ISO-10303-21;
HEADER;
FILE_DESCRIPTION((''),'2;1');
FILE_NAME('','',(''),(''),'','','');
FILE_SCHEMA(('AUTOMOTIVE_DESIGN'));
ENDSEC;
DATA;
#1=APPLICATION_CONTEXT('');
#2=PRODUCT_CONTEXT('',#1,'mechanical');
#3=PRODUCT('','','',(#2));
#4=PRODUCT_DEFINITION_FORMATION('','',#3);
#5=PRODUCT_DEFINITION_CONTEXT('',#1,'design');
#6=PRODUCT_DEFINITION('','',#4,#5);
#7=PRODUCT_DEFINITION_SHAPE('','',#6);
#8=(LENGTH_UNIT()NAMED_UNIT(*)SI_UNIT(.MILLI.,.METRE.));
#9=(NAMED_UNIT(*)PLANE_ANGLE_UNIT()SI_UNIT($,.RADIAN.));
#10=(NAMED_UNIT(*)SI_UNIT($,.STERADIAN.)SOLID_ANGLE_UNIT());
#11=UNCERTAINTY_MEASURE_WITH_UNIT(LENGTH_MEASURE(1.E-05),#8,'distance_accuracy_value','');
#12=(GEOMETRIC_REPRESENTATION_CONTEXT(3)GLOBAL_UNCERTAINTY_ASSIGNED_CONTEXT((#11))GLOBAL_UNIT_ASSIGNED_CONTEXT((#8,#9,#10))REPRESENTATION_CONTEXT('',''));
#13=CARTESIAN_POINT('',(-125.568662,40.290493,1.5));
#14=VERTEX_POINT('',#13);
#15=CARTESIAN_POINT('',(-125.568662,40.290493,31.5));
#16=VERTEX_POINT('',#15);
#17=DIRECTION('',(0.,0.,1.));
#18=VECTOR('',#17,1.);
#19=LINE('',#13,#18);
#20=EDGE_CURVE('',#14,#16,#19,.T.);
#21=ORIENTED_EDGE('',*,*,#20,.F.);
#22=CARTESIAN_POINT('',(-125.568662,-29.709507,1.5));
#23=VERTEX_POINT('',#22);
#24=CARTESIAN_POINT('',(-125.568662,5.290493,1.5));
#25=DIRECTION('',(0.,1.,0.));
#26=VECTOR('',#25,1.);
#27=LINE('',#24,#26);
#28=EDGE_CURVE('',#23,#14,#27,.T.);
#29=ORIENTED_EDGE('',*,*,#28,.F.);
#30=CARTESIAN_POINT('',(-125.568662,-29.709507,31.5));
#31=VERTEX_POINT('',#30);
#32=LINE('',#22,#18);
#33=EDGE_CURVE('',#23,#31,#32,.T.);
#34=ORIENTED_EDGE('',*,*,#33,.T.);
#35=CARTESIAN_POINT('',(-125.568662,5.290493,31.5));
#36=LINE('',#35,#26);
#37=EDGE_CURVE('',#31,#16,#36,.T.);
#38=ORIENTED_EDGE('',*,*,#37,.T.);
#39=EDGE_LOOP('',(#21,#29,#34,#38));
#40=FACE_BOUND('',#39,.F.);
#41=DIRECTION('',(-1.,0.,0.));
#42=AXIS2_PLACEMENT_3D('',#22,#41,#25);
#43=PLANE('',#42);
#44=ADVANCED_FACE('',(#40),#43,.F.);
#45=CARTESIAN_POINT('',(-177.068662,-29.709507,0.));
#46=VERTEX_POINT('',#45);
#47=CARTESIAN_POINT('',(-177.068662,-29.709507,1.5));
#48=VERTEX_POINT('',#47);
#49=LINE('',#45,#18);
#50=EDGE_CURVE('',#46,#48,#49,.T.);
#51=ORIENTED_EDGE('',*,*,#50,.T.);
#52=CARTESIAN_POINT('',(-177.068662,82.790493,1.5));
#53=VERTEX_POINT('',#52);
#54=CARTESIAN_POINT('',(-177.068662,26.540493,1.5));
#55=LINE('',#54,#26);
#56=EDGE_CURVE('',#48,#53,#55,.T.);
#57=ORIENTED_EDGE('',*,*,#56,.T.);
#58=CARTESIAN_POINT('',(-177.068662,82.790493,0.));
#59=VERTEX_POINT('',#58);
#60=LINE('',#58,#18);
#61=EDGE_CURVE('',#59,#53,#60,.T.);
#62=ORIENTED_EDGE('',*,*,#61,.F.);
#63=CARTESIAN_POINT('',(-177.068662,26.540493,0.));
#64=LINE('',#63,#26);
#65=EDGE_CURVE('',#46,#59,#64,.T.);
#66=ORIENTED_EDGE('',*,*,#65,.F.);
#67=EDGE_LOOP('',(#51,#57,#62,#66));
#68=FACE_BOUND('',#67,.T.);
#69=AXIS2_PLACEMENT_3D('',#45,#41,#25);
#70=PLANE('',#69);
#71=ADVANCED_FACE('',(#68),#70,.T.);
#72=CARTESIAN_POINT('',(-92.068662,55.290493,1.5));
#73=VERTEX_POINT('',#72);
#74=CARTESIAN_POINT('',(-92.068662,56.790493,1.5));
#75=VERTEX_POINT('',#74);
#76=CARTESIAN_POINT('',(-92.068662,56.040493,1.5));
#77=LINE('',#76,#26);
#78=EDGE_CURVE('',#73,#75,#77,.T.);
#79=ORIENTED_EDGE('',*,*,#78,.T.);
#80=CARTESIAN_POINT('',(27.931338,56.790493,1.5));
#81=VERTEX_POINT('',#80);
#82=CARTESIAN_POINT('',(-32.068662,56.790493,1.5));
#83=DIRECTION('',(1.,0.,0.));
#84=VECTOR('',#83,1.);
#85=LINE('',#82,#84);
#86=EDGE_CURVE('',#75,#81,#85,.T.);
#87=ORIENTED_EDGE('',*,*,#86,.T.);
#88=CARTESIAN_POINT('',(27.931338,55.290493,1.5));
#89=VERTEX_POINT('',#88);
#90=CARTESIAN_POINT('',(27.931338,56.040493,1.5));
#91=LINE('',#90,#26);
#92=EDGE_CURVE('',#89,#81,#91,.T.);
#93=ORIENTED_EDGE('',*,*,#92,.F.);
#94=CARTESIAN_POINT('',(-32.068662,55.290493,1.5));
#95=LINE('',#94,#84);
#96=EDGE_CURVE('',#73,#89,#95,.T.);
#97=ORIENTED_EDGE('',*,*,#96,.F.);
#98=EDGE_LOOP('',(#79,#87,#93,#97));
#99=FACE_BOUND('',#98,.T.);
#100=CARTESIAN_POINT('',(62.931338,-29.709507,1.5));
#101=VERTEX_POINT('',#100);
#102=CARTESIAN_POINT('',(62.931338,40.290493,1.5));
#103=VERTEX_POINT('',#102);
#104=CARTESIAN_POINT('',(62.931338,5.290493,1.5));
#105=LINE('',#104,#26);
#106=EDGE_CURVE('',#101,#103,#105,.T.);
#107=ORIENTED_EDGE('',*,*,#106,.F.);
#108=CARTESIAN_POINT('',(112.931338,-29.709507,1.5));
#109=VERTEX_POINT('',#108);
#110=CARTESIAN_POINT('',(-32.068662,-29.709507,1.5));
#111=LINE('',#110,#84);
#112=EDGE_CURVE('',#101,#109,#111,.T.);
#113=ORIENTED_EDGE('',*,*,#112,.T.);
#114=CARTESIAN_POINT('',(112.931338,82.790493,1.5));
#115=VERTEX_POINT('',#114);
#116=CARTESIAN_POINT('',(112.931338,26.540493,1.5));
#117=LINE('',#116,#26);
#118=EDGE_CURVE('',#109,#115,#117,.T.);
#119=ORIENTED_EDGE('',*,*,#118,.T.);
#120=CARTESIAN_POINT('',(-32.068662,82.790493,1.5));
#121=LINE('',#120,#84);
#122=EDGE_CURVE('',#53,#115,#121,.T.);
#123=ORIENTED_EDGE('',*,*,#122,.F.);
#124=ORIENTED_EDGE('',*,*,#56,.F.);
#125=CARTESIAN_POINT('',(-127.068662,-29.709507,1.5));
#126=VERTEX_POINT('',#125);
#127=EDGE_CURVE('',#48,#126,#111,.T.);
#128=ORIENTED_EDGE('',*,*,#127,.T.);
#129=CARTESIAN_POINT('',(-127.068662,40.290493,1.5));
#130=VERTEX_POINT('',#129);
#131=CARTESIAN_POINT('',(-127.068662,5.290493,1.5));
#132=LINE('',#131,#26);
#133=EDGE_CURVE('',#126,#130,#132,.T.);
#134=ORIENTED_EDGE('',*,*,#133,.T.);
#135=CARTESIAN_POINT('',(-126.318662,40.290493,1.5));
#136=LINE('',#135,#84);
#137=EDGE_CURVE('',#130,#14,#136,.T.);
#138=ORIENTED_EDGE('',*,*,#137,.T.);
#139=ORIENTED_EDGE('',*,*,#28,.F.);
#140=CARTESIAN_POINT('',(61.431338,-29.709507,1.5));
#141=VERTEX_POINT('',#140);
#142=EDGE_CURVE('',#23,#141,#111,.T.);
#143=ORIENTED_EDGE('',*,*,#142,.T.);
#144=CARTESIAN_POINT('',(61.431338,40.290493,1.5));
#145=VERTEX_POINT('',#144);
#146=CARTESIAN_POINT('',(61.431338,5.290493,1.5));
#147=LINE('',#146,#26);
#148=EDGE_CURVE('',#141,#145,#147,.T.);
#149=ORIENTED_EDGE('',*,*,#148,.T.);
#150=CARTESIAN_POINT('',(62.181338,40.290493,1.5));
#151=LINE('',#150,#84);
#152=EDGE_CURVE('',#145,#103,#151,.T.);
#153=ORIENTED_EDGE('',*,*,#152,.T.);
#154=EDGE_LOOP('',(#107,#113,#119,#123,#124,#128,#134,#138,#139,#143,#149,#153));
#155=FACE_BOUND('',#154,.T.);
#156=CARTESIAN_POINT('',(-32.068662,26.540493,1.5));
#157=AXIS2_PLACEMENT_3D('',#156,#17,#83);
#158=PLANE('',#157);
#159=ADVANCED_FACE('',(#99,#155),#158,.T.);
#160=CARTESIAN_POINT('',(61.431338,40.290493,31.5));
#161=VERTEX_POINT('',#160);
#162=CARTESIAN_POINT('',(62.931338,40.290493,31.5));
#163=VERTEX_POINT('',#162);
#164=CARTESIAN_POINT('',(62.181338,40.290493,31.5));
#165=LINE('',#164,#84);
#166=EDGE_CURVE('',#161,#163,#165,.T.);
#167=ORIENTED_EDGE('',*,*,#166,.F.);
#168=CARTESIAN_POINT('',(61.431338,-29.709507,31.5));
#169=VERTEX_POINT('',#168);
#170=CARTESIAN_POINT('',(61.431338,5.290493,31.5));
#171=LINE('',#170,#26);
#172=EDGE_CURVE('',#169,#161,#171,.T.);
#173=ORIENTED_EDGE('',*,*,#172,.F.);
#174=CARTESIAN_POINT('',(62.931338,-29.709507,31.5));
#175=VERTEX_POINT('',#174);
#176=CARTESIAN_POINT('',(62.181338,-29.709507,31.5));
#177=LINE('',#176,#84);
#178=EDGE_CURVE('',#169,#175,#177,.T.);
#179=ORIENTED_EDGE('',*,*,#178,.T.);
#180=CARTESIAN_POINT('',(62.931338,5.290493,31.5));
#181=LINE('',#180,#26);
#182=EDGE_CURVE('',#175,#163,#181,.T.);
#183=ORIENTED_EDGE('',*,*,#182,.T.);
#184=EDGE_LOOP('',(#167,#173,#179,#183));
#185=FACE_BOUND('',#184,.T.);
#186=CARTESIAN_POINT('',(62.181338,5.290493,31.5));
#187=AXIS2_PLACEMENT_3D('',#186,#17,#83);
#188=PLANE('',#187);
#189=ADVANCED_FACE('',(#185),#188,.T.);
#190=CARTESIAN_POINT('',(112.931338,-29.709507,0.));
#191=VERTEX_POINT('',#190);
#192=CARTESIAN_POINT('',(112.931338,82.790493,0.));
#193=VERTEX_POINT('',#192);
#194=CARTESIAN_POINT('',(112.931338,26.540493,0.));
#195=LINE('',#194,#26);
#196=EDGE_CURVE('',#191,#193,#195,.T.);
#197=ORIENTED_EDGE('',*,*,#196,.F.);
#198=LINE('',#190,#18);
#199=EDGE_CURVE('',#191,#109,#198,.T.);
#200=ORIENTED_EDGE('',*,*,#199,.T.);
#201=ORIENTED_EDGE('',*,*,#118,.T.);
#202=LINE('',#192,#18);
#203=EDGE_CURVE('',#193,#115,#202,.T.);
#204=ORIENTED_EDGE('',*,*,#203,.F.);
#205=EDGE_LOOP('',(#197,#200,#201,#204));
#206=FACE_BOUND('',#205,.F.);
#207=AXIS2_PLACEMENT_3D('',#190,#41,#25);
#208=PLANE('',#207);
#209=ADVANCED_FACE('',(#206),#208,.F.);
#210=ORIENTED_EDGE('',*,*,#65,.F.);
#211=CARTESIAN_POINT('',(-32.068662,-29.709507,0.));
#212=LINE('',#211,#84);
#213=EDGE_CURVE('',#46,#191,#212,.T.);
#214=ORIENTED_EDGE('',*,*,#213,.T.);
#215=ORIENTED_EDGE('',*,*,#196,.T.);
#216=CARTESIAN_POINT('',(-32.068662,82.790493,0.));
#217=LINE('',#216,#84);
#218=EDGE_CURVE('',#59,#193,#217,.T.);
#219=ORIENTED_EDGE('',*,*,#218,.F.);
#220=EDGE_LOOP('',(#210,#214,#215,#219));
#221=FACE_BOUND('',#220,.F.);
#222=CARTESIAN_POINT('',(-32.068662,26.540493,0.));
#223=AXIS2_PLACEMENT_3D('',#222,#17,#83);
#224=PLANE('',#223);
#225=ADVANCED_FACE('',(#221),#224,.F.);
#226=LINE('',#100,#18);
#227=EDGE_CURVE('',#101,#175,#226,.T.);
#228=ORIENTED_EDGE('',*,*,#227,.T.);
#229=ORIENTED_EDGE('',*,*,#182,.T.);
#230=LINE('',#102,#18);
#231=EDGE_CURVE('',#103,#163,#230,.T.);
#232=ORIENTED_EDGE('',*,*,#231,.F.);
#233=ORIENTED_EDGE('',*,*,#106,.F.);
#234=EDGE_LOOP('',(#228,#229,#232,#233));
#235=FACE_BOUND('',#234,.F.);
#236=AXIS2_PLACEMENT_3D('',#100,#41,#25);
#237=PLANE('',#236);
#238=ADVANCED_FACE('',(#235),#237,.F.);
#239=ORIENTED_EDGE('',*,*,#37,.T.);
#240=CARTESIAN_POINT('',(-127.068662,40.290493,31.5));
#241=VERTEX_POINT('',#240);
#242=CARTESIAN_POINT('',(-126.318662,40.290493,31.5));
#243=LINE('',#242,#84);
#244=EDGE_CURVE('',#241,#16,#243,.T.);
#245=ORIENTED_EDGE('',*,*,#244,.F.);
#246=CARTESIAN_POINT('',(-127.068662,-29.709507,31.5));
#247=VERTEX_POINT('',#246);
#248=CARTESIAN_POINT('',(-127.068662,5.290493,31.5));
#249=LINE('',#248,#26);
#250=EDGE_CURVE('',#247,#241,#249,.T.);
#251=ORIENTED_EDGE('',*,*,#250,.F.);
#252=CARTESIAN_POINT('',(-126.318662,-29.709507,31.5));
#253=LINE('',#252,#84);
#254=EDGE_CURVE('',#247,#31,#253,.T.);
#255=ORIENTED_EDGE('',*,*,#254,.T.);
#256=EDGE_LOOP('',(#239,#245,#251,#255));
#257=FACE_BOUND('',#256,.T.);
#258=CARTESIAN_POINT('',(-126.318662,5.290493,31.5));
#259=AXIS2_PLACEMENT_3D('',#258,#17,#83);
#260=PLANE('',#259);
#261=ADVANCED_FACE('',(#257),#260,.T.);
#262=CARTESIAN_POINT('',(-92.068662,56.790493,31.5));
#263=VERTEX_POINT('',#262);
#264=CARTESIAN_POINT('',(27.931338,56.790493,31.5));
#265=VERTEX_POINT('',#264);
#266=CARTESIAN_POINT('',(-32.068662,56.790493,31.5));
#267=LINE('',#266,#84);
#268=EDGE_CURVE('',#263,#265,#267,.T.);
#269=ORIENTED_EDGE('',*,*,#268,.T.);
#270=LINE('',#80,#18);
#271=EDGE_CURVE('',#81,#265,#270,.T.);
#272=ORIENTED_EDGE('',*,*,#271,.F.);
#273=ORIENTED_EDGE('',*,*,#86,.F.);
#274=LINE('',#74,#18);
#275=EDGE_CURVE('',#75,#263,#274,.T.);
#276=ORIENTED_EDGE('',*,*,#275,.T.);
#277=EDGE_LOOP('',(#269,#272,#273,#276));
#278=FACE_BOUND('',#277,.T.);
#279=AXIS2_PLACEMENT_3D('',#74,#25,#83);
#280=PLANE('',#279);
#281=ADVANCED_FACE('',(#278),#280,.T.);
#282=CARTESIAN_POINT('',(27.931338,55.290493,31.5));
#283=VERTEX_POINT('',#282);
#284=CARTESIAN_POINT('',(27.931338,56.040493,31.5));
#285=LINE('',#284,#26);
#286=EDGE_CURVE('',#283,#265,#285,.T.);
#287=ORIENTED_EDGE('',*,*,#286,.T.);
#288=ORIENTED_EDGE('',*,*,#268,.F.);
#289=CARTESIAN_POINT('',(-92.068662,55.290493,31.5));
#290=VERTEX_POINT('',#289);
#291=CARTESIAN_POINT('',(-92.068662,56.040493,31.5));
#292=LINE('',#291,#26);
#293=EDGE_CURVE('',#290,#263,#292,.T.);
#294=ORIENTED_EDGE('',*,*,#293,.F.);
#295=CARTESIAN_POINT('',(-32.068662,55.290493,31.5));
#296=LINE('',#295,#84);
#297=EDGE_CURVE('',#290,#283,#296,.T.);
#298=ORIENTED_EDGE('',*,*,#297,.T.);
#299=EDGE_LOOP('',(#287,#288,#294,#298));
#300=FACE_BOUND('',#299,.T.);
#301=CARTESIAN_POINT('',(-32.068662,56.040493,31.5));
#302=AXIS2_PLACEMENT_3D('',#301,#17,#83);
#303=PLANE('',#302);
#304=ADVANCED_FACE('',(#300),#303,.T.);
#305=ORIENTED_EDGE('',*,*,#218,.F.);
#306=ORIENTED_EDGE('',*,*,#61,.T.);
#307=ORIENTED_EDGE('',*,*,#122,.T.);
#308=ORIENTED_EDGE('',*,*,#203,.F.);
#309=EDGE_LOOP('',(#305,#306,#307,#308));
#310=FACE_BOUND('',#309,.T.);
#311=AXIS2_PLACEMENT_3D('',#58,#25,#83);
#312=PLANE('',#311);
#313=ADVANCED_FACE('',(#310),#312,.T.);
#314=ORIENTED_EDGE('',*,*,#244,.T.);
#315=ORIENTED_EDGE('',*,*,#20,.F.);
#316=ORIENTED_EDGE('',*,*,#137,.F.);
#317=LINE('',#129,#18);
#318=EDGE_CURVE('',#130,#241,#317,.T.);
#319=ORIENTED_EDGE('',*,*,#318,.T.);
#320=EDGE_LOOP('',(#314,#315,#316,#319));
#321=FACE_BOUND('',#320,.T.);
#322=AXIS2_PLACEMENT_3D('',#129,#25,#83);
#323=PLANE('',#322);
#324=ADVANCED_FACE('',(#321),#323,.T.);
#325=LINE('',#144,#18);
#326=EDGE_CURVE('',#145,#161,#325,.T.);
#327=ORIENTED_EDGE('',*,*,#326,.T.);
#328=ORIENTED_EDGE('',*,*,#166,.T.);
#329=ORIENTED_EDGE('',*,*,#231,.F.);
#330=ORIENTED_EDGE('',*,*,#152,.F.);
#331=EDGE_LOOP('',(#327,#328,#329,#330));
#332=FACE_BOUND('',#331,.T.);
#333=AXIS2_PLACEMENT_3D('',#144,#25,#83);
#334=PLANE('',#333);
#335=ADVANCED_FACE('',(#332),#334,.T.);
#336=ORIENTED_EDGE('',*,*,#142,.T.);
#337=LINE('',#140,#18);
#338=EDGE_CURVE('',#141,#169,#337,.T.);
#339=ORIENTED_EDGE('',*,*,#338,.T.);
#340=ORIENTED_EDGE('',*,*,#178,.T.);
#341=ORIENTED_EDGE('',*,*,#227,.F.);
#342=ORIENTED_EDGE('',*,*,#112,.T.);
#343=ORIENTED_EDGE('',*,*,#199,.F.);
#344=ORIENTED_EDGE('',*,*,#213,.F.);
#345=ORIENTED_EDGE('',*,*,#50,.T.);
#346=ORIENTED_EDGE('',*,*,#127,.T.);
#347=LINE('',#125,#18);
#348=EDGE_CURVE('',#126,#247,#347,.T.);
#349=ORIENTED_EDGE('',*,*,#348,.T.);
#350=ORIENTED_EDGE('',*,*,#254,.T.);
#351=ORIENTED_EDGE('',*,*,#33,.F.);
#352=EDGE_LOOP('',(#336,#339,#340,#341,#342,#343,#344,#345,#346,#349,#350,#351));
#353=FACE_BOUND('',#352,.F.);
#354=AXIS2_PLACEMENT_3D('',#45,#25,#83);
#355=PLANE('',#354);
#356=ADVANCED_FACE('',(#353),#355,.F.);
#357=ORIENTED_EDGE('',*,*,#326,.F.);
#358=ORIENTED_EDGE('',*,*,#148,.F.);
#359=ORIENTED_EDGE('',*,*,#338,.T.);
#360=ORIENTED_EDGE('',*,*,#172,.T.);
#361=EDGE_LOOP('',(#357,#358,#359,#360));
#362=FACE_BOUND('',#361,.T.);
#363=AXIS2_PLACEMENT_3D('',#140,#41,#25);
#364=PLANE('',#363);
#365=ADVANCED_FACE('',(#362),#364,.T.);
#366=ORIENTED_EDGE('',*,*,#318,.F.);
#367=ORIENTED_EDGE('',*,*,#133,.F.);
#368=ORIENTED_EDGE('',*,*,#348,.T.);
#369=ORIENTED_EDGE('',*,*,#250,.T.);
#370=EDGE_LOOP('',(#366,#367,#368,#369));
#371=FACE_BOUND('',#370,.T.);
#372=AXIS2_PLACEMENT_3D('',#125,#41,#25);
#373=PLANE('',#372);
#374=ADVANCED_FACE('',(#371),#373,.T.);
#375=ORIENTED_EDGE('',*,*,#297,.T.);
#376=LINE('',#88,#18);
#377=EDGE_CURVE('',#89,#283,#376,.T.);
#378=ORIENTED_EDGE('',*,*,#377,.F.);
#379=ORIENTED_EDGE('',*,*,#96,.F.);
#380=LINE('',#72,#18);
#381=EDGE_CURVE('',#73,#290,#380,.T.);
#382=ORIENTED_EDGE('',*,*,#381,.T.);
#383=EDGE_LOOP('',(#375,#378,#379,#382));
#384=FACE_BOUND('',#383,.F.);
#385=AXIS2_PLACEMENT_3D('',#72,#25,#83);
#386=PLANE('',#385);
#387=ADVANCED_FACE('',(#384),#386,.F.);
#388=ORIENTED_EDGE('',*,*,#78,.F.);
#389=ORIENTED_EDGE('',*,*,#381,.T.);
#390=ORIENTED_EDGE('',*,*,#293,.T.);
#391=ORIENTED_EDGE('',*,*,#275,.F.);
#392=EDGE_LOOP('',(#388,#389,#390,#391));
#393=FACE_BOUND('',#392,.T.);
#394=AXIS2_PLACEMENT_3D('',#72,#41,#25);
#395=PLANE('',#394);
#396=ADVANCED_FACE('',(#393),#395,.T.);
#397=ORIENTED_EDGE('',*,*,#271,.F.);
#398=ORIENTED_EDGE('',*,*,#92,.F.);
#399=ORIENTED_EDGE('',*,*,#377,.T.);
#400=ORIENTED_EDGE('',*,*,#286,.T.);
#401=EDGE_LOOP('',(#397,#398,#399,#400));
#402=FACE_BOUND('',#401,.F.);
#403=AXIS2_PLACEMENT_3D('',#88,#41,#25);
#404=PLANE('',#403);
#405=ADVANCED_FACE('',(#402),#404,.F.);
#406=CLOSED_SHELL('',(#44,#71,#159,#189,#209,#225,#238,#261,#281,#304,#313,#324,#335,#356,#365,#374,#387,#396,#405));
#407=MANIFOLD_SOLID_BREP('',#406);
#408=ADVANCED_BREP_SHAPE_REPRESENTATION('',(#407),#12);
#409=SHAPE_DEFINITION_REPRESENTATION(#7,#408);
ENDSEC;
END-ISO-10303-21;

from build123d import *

# Parameters (mm, degrees)
SKETCH_1_W      = 290
SKETCH_1_H      = 112.5
EXTRUDE_1_DEPTH = 1.5
SKETCH_2_W      = 120
SKETCH_2_H      = 1.5
SKETCH_2_W_2    = 1.5
SKETCH_2_H_2    = 70
EXTRUDE_2_DEPTH = 30


with BuildPart() as part:
    # 草圖1 → 填料-伸長1 (new body)
    with BuildSketch(Plane.XY):
        with Locations((-32.068661972, 26.540492958)):
            Rectangle(SKETCH_1_W, SKETCH_1_H)
    extrude(amount=EXTRUDE_1_DEPTH)

    # 草圖2 → 填料-伸長2 (add)
    with BuildSketch(Plane.XY.offset(1.5)):
        with Locations((-32.068661972, 56.040492958)):
            Rectangle(SKETCH_2_W, SKETCH_2_H)
        with Locations((62.181338028, 5.290492958)):
            Rectangle(SKETCH_2_W_2, SKETCH_2_H_2)
        with Locations((-126.318661972, 5.290492958)):
            Rectangle(SKETCH_2_W_2, SKETCH_2_H_2)
    extrude(amount=EXTRUDE_2_DEPTH)


solid = part.part
